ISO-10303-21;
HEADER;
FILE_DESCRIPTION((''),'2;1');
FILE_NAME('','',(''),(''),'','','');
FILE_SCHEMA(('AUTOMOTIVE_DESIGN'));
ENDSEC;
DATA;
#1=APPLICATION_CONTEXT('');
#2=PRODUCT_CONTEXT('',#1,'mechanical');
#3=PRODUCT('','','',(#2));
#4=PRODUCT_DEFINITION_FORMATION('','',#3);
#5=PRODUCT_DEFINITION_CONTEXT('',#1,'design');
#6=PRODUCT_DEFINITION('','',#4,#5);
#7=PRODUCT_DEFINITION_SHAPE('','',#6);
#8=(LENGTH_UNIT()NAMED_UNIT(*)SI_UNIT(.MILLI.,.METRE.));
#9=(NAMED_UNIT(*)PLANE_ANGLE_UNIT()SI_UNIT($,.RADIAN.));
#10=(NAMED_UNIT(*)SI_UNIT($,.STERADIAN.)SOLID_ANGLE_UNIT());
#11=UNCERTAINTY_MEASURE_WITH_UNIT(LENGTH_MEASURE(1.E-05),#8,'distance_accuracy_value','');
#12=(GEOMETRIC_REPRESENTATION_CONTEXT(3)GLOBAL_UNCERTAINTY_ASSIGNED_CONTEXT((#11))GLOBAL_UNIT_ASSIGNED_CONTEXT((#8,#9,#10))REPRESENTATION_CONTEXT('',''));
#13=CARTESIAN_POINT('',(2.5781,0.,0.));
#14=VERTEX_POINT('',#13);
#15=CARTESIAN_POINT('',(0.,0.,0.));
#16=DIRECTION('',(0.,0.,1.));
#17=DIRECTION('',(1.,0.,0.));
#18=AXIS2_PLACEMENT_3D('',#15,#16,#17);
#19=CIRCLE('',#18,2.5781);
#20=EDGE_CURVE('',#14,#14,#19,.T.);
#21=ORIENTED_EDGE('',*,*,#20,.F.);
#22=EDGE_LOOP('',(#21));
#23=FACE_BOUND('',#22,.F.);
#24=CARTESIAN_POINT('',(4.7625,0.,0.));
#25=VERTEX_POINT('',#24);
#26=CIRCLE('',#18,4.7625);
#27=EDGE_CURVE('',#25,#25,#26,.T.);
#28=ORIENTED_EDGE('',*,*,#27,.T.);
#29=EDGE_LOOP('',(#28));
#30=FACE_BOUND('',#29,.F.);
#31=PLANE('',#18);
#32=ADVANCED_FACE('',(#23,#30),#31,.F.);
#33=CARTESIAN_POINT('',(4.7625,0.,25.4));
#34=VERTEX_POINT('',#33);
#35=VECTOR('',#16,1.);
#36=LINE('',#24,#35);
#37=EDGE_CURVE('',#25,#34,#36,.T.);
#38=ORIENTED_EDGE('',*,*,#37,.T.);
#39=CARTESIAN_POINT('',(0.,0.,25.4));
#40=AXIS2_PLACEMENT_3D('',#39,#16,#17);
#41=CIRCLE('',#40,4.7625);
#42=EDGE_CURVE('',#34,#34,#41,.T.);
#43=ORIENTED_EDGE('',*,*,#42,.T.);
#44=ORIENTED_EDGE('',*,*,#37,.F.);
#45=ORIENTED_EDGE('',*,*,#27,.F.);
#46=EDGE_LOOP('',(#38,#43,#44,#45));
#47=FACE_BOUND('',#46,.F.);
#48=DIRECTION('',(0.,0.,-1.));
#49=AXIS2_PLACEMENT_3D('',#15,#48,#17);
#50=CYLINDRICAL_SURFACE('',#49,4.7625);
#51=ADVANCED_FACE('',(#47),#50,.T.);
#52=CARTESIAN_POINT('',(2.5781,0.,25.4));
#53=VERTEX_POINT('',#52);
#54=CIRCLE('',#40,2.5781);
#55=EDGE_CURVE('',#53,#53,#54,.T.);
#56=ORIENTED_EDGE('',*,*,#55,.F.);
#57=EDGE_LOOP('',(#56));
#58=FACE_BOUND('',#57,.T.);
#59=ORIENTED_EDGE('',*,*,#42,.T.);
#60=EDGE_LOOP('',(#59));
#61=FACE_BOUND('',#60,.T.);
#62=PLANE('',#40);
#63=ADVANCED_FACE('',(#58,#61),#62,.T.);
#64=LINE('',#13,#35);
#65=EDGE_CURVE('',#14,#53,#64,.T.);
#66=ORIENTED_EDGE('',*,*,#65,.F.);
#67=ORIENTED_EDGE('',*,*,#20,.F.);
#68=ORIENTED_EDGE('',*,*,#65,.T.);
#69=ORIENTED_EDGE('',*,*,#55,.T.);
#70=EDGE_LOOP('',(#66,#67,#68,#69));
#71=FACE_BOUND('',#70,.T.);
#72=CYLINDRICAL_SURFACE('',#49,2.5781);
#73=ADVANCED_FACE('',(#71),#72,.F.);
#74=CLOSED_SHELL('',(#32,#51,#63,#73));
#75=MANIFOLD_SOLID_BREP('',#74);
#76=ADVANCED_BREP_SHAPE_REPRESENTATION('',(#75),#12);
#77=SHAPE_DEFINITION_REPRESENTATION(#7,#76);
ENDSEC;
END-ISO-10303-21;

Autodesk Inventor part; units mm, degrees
ref_plane "YZ Plane" through (0, 0, 0) normal (1, 0, 0) x (0, 1, 0)
ref_plane "XZ Plane" through (0, 0, 0) normal (0, 1, 0) x (-1, 0, 0)
ref_plane "XY Plane" through (0, 0, 0) normal (0, 0, 1) x (1, 0, 0)
sketch "Sketch1" plane through (0, 0, 0) normal (0, 0, 1) x (1, 0, 0)
  circle A0 centre (0, 0) radius 2.5781
  circle A1 centre (0, 0) radius 4.7625
  dimension "d0" = 5.1562
  dimension "d1" = 9.525
extrude "Extrusion1" add sketch "Sketch1" along normal blind 25.4
properties part number "Spacer3_8x1"
